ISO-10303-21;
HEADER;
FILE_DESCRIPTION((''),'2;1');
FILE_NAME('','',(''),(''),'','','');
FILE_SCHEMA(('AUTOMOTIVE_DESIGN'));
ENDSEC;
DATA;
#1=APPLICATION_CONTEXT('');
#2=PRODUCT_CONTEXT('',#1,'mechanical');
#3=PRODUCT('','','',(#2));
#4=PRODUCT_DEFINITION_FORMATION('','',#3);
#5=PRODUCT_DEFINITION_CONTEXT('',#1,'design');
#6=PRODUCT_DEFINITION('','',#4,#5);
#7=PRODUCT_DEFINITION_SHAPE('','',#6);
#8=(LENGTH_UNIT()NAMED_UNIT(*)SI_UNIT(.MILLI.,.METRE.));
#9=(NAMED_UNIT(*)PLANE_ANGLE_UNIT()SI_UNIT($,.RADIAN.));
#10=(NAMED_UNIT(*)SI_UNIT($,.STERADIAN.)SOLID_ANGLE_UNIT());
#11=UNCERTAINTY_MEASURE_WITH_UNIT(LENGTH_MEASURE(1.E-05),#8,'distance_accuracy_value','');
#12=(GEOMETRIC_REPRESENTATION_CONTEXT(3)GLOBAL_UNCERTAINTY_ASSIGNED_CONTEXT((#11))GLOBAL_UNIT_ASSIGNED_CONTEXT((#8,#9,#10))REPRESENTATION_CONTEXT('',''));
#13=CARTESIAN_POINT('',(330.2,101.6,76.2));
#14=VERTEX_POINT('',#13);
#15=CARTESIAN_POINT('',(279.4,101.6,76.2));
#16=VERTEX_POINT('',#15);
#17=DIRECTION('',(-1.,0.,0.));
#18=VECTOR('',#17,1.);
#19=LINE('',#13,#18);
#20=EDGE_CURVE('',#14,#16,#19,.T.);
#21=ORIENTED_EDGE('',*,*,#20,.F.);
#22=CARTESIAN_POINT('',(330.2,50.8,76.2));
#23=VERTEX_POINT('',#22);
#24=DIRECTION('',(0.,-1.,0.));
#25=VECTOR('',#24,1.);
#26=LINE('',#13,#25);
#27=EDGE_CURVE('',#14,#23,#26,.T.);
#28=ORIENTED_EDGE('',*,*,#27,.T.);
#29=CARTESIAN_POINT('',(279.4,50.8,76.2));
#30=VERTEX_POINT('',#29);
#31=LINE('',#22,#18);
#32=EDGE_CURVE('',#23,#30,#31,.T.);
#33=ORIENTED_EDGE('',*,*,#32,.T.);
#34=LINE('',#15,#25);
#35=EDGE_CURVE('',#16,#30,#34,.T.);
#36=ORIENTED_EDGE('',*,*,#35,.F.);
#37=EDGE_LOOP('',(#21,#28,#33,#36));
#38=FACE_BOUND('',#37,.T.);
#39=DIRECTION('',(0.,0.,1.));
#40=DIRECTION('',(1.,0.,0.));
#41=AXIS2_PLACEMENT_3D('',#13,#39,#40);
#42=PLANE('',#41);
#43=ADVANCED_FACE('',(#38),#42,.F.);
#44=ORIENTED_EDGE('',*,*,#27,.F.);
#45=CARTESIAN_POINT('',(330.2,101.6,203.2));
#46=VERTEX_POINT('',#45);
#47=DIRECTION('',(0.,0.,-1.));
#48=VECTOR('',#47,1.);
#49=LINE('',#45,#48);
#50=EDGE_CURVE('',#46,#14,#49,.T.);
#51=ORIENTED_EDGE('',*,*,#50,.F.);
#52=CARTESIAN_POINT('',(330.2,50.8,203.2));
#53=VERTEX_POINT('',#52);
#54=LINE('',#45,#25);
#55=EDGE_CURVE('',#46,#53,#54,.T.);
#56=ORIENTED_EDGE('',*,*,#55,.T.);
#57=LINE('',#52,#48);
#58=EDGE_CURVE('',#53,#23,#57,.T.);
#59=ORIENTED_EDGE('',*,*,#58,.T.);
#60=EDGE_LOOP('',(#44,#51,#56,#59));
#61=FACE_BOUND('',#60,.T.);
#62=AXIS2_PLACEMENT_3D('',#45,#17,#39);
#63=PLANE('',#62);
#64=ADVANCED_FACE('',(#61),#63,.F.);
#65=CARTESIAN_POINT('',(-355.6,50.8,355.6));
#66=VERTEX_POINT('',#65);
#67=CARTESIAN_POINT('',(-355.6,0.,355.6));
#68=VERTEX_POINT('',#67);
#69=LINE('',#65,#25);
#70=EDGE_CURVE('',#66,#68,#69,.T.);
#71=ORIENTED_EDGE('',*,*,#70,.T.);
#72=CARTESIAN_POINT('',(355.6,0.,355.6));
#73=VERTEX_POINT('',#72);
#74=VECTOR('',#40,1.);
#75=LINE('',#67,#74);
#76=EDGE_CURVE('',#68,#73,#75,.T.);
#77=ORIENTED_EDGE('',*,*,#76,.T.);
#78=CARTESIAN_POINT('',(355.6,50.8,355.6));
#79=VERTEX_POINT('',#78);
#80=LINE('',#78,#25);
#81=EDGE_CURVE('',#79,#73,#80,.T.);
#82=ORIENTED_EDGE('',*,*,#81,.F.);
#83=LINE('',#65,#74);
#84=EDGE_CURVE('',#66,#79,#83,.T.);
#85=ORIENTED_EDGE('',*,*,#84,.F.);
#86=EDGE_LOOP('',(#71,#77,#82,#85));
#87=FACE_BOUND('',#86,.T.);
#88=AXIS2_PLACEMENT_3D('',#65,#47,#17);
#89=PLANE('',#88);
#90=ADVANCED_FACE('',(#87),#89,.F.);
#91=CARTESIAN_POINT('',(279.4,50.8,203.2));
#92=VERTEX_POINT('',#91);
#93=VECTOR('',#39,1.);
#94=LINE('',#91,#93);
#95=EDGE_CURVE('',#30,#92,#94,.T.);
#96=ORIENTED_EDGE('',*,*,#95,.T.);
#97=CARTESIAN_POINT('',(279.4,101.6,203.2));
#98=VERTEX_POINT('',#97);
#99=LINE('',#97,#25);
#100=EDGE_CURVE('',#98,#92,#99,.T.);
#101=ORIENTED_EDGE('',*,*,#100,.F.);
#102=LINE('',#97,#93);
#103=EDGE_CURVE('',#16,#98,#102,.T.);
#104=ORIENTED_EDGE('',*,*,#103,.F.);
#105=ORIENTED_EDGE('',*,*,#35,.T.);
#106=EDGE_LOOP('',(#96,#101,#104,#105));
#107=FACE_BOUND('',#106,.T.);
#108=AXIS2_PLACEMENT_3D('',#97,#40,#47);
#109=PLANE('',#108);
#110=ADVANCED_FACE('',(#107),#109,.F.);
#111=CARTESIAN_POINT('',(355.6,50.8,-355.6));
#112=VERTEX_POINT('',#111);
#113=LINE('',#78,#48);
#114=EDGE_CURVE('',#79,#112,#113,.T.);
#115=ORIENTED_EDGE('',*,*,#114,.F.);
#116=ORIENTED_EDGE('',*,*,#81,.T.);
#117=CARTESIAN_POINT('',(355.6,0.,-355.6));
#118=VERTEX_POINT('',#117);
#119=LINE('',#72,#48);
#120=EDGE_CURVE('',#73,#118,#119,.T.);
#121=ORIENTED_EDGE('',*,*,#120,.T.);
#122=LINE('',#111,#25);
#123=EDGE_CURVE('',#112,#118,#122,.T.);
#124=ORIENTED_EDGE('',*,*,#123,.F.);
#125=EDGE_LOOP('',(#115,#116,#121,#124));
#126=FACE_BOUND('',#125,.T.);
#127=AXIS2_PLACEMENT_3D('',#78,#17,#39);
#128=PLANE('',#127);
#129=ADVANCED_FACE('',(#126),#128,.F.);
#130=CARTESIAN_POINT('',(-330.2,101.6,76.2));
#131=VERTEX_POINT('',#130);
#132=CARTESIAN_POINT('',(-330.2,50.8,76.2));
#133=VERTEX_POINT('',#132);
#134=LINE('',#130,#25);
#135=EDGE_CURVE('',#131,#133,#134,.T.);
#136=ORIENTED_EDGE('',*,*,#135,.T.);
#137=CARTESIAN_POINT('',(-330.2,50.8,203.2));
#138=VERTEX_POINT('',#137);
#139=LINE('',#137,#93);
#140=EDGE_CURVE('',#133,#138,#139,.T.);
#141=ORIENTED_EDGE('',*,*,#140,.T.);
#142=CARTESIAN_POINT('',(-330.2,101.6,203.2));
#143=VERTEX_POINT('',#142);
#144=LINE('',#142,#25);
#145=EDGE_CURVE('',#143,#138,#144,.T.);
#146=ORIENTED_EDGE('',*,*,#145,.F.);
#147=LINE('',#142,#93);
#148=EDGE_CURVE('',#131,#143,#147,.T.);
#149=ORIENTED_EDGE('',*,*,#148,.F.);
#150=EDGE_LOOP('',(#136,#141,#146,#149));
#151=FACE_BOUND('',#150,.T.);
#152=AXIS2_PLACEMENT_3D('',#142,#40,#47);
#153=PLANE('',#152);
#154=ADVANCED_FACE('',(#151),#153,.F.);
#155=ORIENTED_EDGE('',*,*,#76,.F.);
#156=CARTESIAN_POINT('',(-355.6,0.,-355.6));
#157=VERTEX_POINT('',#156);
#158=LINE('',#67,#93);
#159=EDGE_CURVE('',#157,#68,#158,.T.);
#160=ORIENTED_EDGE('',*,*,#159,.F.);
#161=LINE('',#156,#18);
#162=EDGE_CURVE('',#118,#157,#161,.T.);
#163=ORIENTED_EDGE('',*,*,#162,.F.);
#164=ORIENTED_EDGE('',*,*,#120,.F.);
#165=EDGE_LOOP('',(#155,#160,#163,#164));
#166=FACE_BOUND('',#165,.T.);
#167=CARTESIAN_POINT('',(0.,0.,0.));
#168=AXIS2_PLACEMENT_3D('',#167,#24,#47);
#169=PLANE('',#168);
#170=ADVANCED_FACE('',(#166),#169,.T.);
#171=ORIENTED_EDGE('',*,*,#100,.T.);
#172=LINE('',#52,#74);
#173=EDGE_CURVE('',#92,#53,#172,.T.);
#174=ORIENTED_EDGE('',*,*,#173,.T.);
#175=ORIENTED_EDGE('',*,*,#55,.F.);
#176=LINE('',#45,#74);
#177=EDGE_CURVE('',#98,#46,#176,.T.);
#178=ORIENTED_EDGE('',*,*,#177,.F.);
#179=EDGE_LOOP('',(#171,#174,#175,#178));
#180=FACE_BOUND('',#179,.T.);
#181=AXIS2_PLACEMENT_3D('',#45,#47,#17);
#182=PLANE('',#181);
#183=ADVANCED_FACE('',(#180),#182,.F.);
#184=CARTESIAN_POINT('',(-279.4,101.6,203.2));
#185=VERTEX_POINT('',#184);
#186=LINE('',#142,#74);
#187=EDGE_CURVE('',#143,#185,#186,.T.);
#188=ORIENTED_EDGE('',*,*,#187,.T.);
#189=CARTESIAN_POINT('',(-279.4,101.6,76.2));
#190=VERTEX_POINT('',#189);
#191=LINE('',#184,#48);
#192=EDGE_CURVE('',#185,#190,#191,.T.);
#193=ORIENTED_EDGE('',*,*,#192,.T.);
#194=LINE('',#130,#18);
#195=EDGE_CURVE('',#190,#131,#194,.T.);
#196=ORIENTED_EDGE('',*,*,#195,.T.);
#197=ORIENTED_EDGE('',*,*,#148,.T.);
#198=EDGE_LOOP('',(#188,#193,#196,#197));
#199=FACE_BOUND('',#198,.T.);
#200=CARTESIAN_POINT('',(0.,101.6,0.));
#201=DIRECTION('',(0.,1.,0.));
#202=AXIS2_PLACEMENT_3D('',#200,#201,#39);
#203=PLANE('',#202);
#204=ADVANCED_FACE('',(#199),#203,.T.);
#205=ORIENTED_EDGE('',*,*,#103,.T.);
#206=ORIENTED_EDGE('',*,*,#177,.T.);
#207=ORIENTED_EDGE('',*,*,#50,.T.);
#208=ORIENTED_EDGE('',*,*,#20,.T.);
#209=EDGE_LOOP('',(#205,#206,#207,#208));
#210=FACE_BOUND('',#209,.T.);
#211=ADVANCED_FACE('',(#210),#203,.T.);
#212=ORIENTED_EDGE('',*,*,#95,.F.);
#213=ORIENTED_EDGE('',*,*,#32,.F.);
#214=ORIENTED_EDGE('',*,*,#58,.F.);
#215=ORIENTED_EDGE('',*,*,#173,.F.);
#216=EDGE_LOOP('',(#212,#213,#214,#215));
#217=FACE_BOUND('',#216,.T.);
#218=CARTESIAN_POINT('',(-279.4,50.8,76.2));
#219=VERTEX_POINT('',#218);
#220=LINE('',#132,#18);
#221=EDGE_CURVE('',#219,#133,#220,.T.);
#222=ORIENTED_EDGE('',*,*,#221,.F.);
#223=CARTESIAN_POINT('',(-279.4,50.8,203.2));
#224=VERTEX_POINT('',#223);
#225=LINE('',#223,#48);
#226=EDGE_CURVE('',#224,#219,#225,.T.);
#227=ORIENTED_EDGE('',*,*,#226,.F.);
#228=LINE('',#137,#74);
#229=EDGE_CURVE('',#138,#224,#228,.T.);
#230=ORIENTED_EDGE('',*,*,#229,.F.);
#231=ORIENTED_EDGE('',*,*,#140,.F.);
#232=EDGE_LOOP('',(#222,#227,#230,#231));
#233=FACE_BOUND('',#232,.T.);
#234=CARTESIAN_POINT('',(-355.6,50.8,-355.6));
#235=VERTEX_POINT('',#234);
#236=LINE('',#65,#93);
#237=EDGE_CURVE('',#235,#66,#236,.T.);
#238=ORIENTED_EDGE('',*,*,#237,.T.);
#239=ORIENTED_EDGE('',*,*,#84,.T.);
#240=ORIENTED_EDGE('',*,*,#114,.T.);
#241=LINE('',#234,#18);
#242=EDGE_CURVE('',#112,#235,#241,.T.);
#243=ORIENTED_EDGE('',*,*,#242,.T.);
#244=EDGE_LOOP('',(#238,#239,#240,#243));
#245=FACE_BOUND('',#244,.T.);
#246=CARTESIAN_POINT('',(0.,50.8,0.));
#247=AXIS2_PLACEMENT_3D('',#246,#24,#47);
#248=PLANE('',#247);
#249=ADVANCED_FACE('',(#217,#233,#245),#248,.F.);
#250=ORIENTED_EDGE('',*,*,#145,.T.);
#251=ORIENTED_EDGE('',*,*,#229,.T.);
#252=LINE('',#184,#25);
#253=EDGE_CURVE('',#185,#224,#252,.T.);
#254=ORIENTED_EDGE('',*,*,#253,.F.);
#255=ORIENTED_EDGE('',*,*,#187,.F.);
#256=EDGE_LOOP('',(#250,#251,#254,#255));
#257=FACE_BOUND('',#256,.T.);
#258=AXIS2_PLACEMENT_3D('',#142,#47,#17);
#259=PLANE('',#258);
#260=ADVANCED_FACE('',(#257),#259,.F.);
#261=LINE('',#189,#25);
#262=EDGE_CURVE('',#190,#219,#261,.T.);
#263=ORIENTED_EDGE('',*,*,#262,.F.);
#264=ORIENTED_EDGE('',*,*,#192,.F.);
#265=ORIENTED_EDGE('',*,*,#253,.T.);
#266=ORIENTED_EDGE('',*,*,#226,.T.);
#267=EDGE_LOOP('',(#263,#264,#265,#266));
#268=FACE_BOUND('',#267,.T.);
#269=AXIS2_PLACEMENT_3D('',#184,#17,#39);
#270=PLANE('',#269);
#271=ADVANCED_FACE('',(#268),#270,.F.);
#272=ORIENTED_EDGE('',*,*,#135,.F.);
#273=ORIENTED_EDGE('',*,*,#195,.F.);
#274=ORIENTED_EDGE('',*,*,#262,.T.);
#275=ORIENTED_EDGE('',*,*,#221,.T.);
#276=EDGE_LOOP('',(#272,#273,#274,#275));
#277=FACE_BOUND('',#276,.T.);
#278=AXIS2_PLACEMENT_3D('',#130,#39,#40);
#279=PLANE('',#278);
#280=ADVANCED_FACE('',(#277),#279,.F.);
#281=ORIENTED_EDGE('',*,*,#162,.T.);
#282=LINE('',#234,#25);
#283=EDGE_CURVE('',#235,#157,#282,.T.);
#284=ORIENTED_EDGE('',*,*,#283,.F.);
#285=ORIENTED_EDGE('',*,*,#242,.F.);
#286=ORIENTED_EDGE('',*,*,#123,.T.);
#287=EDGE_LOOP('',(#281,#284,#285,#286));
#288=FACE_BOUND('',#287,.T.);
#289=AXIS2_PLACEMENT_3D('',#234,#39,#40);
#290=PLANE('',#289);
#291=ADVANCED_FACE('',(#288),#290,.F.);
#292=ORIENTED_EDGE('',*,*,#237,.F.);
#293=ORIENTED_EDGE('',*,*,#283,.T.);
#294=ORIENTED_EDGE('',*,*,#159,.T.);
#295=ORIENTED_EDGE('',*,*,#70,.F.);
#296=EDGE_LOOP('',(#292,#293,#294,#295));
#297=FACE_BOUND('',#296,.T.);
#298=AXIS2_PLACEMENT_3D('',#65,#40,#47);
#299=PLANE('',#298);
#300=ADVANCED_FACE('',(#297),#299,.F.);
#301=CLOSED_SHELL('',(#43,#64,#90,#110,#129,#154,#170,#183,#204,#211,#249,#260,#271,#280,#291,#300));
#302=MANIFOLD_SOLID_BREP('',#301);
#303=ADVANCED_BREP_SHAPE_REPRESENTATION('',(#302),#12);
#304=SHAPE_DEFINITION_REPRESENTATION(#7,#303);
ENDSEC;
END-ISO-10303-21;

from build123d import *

# Parameters (mm, degrees)
SKETCH1_W           = 711.2
SKETCH1_H           = 711.2
BOSS_EXTRUDE1_DEPTH = 50.8
SKETCH2_W           = 50.8
SKETCH2_H           = 127
BOSS_EXTRUDE2_DEPTH = 50.8


with BuildPart() as part:
    # Sketch1 → Boss-Extrude1 (new body)
    with BuildSketch(Plane(origin=(0, 0, 0), x_dir=(1, 0, 0), z_dir=(0, 1, 0))):
        Rectangle(SKETCH1_W, SKETCH1_H)
    extrude(amount=BOSS_EXTRUDE1_DEPTH)

    # Sketch2 → Boss-Extrude2 (add)
    with BuildSketch(Plane(origin=(0, 50.8, 0), x_dir=(1, 0, 0), z_dir=(0, 1, 0))):
        with Locations((304.8, -139.7)):
            Rectangle(SKETCH2_W, SKETCH2_H)
        with Locations((-304.8, -139.7)):
            Rectangle(SKETCH2_W, SKETCH2_H)
    extrude(amount=BOSS_EXTRUDE2_DEPTH)


solid = part.part
